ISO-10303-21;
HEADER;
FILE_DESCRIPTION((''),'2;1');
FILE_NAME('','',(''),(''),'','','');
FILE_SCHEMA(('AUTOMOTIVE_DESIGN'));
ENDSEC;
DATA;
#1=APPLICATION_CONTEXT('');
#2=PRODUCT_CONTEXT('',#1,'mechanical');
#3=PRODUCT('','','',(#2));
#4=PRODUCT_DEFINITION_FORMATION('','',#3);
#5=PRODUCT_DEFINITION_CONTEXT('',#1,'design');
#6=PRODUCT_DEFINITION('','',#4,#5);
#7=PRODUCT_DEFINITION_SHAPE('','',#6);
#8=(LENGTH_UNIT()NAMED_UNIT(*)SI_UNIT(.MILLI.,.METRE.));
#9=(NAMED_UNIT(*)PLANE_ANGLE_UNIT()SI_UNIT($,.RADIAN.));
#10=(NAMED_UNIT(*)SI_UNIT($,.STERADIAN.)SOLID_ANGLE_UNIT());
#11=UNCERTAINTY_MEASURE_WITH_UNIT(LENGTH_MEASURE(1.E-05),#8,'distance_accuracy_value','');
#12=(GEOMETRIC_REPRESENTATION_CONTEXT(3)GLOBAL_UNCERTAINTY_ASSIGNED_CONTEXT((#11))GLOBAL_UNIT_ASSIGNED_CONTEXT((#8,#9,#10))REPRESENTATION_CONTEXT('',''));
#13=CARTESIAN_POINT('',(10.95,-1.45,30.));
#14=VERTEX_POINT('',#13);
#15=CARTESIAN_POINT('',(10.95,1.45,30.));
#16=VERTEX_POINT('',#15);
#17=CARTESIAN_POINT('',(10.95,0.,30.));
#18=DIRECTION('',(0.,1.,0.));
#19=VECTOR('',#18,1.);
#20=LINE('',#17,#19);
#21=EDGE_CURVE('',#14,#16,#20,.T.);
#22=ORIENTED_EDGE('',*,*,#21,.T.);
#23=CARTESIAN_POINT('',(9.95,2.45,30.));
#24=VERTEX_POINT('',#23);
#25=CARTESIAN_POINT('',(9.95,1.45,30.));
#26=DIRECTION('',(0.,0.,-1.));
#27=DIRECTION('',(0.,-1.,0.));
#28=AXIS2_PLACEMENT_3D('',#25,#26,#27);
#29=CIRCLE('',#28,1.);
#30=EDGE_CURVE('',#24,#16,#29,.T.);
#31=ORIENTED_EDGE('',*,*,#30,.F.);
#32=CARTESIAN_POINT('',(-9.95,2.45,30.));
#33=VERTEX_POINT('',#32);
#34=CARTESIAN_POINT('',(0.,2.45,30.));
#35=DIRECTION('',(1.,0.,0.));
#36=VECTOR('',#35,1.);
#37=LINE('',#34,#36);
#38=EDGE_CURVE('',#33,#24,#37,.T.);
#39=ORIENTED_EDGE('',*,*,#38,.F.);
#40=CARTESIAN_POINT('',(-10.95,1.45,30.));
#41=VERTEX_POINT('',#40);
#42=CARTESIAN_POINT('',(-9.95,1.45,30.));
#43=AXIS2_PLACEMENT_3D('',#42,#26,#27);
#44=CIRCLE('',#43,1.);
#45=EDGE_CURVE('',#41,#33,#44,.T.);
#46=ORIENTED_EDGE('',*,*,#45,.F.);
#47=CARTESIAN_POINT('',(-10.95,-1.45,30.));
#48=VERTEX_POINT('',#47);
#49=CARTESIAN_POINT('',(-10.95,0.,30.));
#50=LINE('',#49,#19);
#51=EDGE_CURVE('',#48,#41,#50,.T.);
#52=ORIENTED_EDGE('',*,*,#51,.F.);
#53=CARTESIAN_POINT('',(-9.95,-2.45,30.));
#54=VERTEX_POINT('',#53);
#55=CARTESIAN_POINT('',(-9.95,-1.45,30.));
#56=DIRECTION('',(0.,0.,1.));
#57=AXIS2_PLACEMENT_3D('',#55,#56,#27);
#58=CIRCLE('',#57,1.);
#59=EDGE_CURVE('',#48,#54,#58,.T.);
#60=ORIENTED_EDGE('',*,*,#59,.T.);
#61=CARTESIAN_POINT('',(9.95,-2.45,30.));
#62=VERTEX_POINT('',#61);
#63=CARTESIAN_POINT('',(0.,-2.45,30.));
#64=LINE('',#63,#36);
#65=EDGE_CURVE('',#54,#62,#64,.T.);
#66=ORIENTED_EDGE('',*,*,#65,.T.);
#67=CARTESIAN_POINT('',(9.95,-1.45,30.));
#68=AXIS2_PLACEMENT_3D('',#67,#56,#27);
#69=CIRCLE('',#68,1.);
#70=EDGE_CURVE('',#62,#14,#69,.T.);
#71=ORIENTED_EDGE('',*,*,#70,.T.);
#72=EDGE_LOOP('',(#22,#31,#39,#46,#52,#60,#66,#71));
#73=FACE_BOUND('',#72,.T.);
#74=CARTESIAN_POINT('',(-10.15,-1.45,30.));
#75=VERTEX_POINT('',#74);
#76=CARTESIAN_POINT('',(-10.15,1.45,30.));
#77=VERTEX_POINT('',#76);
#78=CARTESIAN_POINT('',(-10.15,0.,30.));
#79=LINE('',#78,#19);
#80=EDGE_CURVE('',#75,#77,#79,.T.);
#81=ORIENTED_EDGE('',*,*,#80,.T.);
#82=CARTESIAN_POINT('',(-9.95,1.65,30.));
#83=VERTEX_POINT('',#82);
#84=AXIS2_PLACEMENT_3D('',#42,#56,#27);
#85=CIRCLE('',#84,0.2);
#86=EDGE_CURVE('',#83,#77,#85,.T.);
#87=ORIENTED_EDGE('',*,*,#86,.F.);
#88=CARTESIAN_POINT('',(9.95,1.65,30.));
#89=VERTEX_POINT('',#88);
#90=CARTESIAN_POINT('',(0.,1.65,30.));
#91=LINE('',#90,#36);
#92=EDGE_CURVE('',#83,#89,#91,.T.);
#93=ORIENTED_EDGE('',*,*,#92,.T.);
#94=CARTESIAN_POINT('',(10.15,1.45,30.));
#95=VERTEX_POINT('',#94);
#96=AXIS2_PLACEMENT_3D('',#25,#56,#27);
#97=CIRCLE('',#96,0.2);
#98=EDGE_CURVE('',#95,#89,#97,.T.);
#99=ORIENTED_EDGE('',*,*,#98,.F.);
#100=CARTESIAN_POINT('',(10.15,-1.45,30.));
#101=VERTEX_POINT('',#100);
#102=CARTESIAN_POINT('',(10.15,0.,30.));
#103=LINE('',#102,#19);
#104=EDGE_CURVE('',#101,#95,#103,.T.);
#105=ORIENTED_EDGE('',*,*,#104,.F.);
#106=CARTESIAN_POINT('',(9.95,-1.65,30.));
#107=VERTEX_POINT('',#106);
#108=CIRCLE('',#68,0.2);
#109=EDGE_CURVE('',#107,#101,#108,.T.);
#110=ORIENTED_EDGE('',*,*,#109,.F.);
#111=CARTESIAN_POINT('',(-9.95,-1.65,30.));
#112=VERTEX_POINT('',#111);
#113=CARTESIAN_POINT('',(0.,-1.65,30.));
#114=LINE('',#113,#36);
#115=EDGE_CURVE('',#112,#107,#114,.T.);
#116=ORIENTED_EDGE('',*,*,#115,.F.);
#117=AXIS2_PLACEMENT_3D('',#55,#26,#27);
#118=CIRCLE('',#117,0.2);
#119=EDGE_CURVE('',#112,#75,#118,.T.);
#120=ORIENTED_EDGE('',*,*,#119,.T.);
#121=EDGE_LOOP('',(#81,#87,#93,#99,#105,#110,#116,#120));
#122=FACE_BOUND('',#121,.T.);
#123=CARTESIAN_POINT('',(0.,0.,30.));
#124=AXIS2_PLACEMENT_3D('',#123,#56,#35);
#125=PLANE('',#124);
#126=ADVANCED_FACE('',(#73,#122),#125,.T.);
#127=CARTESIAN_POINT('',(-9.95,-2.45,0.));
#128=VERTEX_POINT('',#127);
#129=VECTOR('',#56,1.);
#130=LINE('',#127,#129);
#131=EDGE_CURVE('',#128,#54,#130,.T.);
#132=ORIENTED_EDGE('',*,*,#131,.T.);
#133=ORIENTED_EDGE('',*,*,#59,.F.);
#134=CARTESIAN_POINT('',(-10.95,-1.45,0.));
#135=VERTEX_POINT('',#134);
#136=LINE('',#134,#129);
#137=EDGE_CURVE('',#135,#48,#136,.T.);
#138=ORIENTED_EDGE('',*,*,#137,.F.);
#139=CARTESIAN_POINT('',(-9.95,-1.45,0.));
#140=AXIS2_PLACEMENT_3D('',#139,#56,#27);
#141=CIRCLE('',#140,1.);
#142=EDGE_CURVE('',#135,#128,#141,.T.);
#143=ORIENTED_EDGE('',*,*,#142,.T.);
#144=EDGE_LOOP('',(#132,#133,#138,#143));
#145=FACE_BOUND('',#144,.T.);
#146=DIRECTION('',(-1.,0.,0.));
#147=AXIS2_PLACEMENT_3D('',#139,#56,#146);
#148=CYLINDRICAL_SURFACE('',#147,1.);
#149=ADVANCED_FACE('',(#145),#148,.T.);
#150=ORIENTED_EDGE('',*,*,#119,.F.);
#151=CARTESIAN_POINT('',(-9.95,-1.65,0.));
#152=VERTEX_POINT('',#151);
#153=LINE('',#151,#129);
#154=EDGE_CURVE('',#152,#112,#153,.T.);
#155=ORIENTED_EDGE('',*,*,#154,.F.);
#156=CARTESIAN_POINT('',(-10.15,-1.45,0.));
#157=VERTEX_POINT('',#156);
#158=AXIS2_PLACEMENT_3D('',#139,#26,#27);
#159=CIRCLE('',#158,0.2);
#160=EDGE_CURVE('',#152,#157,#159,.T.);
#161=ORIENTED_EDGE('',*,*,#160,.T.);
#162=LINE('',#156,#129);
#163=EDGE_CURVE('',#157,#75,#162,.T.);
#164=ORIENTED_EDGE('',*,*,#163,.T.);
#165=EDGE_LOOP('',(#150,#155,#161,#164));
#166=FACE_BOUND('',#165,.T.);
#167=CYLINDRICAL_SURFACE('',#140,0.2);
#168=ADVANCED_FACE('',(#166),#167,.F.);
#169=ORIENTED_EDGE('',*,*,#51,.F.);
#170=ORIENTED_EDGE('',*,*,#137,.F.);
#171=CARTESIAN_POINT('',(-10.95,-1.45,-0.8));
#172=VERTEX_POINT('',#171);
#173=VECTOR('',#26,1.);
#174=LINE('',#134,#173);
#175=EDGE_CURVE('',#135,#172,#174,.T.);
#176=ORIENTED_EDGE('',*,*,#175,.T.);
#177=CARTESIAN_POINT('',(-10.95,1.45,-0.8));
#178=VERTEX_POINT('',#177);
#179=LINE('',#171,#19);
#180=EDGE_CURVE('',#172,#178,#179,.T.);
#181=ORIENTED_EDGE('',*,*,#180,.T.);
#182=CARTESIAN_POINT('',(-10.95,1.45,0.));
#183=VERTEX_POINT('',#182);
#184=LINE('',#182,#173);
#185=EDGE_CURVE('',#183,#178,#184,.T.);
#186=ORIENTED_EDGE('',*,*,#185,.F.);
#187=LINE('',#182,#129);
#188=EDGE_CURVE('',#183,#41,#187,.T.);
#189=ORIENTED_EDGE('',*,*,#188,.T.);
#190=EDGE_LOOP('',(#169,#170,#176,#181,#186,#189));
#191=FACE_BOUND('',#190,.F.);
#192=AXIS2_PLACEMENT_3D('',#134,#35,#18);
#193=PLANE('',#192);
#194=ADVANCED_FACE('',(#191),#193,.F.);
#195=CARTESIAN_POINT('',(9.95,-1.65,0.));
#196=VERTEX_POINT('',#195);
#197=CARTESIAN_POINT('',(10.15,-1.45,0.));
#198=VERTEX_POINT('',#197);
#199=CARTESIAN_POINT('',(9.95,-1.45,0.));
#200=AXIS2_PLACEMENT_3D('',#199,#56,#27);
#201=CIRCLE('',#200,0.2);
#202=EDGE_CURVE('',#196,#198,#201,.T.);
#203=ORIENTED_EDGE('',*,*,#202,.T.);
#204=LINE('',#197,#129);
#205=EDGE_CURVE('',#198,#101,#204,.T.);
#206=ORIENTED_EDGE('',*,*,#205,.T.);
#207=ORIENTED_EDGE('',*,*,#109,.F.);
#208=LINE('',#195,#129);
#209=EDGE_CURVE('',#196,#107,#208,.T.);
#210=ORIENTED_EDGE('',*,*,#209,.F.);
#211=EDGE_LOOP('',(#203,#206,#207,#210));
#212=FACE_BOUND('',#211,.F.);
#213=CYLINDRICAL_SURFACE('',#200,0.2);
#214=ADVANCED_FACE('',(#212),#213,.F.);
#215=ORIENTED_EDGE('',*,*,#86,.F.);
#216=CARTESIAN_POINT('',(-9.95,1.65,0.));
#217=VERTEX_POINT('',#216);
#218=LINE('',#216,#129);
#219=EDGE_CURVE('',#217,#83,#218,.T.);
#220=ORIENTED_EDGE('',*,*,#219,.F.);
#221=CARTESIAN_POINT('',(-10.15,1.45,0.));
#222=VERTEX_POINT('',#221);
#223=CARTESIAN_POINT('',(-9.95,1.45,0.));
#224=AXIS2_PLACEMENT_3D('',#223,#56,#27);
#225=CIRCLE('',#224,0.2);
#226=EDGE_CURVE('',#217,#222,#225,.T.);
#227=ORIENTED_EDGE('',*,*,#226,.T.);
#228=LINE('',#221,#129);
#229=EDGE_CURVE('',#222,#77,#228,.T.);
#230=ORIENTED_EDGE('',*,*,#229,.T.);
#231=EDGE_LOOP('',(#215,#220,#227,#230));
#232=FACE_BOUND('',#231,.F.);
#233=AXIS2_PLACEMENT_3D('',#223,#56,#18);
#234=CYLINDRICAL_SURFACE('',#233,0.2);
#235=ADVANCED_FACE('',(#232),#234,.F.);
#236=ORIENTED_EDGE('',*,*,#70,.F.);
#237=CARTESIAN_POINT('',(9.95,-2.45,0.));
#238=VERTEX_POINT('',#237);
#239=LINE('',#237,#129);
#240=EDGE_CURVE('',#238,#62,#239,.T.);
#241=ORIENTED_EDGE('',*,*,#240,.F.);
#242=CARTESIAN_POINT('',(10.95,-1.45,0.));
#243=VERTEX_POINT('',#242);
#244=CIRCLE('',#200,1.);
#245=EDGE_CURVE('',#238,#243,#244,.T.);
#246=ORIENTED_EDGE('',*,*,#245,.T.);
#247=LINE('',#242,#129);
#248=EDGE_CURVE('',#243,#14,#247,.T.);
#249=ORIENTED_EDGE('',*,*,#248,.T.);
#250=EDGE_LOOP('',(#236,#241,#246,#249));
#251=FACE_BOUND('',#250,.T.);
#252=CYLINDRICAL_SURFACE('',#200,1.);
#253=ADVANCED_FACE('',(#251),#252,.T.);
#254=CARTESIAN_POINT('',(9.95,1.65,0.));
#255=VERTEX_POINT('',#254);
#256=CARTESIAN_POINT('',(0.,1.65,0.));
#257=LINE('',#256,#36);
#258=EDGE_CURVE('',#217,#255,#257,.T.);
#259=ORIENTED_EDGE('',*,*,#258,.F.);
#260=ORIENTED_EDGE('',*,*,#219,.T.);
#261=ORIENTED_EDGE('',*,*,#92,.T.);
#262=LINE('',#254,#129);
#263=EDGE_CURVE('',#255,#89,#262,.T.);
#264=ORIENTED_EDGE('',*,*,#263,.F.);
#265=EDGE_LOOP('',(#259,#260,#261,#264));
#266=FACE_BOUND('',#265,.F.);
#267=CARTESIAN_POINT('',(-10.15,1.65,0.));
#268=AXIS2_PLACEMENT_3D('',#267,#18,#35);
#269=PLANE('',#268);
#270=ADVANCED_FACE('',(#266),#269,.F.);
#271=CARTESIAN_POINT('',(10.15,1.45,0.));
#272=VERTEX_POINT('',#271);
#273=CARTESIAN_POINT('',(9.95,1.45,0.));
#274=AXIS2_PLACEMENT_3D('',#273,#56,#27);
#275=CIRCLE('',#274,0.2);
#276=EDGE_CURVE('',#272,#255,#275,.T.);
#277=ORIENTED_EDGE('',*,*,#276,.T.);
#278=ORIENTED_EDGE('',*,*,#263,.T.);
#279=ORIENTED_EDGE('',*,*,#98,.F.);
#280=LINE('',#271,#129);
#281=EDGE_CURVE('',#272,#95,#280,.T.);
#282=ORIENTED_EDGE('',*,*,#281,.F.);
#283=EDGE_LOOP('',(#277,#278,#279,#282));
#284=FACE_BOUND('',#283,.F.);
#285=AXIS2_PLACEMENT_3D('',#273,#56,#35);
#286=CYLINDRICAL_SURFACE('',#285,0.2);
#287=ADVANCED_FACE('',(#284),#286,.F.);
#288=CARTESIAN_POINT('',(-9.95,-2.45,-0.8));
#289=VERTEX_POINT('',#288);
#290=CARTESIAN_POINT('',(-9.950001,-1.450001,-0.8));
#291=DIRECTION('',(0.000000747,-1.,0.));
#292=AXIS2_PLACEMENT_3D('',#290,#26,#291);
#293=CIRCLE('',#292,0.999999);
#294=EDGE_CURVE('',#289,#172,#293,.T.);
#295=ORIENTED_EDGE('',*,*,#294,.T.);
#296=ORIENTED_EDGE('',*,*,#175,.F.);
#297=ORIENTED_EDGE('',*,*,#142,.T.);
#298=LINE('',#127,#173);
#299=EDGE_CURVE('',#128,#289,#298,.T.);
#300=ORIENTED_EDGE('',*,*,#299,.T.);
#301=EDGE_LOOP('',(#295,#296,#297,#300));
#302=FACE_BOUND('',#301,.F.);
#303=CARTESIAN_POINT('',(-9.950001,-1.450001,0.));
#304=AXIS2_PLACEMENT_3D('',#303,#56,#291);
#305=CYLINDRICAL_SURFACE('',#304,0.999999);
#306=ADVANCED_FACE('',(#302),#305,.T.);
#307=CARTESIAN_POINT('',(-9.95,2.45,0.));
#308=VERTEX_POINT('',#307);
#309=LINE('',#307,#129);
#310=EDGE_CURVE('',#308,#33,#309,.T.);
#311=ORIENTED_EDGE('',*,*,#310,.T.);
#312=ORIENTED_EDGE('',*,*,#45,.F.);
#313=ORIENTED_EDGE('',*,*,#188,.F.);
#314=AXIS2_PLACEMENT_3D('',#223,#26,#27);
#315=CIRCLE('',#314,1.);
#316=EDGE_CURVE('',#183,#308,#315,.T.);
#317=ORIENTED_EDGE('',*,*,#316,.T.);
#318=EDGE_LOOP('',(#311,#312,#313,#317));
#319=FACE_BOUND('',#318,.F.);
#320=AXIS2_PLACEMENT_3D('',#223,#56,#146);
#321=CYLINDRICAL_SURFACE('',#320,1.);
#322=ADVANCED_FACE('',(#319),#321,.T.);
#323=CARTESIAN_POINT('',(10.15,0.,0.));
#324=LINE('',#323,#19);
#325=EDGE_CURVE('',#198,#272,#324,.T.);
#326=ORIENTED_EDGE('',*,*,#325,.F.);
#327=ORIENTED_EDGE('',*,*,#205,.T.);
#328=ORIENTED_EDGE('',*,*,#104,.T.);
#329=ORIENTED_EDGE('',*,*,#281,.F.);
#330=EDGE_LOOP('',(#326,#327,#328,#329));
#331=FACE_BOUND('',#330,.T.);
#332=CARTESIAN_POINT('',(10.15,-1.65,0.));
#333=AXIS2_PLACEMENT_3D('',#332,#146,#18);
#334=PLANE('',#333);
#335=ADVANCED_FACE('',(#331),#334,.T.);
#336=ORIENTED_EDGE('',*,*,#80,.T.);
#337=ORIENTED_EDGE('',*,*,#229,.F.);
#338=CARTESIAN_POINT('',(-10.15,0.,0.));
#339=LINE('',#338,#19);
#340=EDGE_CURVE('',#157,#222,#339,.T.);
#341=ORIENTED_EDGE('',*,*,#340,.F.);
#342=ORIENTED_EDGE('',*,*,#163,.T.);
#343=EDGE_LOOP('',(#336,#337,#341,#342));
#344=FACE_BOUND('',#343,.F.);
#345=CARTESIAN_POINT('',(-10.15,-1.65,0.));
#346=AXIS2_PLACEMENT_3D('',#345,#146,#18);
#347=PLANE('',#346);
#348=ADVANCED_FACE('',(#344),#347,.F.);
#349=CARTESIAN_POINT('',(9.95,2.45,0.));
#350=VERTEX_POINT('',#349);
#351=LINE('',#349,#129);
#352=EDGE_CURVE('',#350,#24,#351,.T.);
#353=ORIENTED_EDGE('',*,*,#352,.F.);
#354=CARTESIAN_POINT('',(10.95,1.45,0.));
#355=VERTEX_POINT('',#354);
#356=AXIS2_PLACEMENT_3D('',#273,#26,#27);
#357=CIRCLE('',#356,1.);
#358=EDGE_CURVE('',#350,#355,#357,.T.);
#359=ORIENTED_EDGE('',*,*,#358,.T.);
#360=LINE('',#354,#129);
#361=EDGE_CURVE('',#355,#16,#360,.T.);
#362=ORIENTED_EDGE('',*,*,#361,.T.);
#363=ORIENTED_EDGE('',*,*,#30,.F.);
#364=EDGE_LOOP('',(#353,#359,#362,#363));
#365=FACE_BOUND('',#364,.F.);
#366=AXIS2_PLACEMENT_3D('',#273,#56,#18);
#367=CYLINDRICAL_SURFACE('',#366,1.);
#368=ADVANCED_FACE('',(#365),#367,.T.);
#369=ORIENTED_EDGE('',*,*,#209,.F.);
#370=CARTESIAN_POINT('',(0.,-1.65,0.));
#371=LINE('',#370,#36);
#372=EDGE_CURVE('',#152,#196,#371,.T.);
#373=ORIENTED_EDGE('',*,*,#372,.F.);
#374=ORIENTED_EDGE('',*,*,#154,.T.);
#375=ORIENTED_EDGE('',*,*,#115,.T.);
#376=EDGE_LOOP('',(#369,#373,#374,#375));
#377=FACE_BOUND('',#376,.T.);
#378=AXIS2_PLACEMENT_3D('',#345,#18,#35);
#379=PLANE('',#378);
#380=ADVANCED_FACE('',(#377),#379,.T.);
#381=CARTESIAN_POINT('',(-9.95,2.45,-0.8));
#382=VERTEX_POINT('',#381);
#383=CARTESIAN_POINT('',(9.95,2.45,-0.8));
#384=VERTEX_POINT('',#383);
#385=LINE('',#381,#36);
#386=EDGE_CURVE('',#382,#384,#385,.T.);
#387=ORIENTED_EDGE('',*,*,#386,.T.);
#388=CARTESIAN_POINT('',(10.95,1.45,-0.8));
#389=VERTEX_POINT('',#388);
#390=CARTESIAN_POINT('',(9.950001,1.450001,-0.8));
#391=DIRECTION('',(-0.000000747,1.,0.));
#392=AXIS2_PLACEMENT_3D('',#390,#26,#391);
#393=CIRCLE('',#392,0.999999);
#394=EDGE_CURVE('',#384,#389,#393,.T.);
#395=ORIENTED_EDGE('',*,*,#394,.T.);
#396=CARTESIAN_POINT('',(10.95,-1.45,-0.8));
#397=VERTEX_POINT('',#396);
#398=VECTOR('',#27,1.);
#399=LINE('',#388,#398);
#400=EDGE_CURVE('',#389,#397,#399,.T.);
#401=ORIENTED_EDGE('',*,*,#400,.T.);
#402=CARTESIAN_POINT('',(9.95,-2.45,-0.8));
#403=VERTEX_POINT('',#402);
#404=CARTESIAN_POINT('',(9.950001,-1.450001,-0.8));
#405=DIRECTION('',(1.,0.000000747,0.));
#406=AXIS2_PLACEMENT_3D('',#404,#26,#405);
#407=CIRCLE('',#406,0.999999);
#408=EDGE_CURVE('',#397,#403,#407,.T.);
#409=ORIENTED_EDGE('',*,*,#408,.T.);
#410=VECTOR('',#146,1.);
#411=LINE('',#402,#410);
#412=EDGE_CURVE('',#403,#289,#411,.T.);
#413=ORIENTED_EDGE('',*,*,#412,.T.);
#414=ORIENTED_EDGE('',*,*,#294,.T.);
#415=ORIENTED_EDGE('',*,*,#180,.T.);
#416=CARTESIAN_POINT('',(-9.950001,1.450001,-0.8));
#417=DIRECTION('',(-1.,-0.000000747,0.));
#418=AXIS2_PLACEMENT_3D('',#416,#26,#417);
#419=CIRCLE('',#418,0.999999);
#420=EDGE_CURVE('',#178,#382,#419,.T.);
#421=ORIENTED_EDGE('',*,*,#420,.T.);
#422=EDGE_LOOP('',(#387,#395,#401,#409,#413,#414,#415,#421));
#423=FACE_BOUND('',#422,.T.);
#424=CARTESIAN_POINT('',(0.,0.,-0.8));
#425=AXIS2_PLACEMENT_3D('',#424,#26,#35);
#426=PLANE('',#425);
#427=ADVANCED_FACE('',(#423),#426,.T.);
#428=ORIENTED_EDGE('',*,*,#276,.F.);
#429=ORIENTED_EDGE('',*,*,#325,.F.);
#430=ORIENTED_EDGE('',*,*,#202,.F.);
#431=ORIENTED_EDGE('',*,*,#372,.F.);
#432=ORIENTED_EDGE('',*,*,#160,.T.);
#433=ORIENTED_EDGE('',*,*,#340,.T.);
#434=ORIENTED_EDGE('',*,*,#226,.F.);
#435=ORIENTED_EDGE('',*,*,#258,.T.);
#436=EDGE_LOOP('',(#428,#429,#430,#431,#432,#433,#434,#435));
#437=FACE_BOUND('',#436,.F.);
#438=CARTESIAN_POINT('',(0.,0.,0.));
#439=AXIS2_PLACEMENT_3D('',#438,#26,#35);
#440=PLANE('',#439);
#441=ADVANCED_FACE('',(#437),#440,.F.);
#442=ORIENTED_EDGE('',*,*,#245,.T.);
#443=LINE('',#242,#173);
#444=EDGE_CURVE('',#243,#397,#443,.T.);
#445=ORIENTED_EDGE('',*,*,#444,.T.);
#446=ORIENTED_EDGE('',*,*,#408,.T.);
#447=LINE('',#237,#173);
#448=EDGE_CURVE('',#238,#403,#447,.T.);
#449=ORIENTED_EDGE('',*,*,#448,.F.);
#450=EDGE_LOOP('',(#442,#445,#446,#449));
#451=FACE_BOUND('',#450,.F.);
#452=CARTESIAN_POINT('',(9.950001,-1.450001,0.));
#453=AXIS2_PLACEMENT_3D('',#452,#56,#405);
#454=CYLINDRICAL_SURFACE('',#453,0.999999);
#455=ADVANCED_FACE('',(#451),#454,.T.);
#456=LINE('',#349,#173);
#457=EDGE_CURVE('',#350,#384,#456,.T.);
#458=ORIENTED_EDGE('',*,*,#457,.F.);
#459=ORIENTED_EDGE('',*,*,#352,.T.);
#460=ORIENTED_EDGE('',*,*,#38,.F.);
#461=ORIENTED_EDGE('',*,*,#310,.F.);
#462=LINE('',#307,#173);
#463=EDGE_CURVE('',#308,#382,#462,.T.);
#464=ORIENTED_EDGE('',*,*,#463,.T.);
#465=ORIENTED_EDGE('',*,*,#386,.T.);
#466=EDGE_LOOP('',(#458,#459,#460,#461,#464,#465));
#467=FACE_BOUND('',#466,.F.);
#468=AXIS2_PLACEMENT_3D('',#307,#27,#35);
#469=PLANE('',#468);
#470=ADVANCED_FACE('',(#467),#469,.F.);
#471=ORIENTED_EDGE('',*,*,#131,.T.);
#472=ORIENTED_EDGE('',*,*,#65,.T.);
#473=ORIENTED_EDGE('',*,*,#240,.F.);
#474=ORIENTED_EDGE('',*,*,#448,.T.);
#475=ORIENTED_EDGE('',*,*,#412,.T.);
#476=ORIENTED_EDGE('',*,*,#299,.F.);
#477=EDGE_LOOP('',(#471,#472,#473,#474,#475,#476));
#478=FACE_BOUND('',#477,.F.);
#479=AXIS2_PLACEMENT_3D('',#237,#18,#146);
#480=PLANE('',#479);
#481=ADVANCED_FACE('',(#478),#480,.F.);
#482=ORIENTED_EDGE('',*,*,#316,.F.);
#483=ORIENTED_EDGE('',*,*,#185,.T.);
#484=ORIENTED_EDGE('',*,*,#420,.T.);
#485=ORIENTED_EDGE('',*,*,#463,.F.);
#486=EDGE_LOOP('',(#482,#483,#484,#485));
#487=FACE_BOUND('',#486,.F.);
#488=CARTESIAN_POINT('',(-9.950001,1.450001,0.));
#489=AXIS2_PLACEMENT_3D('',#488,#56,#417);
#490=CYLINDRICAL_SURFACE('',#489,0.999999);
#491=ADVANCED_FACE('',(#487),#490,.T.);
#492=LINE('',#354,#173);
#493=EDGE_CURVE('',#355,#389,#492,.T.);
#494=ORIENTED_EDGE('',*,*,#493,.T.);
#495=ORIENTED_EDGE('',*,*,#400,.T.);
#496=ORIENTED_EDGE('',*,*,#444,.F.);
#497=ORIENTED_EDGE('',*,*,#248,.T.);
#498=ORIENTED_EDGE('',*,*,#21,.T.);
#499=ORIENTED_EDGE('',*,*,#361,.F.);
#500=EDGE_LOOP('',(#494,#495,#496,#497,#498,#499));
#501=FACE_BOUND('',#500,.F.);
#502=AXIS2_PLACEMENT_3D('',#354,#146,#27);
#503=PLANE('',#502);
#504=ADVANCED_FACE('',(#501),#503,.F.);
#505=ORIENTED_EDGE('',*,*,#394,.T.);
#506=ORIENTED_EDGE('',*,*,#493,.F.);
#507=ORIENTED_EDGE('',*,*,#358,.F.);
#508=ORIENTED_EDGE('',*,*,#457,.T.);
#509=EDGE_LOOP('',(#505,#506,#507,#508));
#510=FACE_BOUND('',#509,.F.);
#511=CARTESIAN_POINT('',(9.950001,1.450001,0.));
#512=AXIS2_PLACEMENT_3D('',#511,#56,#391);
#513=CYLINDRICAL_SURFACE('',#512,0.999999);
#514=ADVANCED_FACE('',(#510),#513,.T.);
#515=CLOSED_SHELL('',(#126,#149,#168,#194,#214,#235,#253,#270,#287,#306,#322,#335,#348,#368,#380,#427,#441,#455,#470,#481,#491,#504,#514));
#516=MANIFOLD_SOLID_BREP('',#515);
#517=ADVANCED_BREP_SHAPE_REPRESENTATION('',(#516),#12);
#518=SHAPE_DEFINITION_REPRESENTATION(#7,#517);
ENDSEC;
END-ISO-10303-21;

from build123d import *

# Parameters (mm, degrees)
F0_W     = 21.9
F0_H     = 4.9
F0_W_2   = 20.3
F0_H_2   = 3.3
F1_DEPTH = 30
F2_R     = 0.2
F3_R     = 1
F5_DEPTH = 0.8


with BuildPart() as f1:
    # F0 (on Top) → F1 (new body)
    with BuildSketch(Plane.XY):
        Rectangle(F0_W, F0_H)
        Rectangle(F0_W_2, F0_H_2, mode=Mode.SUBTRACT)
    extrude(amount=F1_DEPTH)

    # F2
    f2_edges = [f1.edges().sort_by_distance(p)[0] for p in [
        (-10.15, -1.65, 15),
        (10.15, 1.65, 15),
        (10.15, -1.65, 15),
        (-10.15, 1.65, 15),
    ]]
    fillet(f2_edges, radius=F2_R)

    # F3
    f3_edges = [f1.edges().sort_by_distance(p)[0] for p in [
        (10.95, -2.45, 15),
        (10.95, 2.45, 15),
        (-10.95, -2.45, 15),
        (-10.95, 2.45, 15),
    ]]
    fillet(f3_edges, radius=F3_R)

    # F4 (on face) → F5 (join)
    with BuildSketch(Plane(origin=(0, 0, 0), x_dir=(1, 0, 0), z_dir=(0, 0, -1))):
        with BuildLine():
            ThreePointArc((10.95, 1.45), (10.657107, 2.157107), (9.95, 2.45))
            Line((9.95, 2.45), (-9.95, 2.45))
            ThreePointArc((-9.95, 2.45), (-10.657107, 2.157107), (-10.95, 1.45))
            Line((-10.95, 1.45), (-10.95, -1.45))
            ThreePointArc((-10.95, -1.45), (-10.657107, -2.157107), (-9.95, -2.45))
            Line((-9.95, -2.45), (9.95, -2.45))
            ThreePointArc((9.95, -2.45), (10.657107, -2.157107), (10.95, -1.45))
            Line((10.95, -1.45), (10.95, 1.45))
        make_face()
    extrude(amount=F5_DEPTH)


solid = f1.part
